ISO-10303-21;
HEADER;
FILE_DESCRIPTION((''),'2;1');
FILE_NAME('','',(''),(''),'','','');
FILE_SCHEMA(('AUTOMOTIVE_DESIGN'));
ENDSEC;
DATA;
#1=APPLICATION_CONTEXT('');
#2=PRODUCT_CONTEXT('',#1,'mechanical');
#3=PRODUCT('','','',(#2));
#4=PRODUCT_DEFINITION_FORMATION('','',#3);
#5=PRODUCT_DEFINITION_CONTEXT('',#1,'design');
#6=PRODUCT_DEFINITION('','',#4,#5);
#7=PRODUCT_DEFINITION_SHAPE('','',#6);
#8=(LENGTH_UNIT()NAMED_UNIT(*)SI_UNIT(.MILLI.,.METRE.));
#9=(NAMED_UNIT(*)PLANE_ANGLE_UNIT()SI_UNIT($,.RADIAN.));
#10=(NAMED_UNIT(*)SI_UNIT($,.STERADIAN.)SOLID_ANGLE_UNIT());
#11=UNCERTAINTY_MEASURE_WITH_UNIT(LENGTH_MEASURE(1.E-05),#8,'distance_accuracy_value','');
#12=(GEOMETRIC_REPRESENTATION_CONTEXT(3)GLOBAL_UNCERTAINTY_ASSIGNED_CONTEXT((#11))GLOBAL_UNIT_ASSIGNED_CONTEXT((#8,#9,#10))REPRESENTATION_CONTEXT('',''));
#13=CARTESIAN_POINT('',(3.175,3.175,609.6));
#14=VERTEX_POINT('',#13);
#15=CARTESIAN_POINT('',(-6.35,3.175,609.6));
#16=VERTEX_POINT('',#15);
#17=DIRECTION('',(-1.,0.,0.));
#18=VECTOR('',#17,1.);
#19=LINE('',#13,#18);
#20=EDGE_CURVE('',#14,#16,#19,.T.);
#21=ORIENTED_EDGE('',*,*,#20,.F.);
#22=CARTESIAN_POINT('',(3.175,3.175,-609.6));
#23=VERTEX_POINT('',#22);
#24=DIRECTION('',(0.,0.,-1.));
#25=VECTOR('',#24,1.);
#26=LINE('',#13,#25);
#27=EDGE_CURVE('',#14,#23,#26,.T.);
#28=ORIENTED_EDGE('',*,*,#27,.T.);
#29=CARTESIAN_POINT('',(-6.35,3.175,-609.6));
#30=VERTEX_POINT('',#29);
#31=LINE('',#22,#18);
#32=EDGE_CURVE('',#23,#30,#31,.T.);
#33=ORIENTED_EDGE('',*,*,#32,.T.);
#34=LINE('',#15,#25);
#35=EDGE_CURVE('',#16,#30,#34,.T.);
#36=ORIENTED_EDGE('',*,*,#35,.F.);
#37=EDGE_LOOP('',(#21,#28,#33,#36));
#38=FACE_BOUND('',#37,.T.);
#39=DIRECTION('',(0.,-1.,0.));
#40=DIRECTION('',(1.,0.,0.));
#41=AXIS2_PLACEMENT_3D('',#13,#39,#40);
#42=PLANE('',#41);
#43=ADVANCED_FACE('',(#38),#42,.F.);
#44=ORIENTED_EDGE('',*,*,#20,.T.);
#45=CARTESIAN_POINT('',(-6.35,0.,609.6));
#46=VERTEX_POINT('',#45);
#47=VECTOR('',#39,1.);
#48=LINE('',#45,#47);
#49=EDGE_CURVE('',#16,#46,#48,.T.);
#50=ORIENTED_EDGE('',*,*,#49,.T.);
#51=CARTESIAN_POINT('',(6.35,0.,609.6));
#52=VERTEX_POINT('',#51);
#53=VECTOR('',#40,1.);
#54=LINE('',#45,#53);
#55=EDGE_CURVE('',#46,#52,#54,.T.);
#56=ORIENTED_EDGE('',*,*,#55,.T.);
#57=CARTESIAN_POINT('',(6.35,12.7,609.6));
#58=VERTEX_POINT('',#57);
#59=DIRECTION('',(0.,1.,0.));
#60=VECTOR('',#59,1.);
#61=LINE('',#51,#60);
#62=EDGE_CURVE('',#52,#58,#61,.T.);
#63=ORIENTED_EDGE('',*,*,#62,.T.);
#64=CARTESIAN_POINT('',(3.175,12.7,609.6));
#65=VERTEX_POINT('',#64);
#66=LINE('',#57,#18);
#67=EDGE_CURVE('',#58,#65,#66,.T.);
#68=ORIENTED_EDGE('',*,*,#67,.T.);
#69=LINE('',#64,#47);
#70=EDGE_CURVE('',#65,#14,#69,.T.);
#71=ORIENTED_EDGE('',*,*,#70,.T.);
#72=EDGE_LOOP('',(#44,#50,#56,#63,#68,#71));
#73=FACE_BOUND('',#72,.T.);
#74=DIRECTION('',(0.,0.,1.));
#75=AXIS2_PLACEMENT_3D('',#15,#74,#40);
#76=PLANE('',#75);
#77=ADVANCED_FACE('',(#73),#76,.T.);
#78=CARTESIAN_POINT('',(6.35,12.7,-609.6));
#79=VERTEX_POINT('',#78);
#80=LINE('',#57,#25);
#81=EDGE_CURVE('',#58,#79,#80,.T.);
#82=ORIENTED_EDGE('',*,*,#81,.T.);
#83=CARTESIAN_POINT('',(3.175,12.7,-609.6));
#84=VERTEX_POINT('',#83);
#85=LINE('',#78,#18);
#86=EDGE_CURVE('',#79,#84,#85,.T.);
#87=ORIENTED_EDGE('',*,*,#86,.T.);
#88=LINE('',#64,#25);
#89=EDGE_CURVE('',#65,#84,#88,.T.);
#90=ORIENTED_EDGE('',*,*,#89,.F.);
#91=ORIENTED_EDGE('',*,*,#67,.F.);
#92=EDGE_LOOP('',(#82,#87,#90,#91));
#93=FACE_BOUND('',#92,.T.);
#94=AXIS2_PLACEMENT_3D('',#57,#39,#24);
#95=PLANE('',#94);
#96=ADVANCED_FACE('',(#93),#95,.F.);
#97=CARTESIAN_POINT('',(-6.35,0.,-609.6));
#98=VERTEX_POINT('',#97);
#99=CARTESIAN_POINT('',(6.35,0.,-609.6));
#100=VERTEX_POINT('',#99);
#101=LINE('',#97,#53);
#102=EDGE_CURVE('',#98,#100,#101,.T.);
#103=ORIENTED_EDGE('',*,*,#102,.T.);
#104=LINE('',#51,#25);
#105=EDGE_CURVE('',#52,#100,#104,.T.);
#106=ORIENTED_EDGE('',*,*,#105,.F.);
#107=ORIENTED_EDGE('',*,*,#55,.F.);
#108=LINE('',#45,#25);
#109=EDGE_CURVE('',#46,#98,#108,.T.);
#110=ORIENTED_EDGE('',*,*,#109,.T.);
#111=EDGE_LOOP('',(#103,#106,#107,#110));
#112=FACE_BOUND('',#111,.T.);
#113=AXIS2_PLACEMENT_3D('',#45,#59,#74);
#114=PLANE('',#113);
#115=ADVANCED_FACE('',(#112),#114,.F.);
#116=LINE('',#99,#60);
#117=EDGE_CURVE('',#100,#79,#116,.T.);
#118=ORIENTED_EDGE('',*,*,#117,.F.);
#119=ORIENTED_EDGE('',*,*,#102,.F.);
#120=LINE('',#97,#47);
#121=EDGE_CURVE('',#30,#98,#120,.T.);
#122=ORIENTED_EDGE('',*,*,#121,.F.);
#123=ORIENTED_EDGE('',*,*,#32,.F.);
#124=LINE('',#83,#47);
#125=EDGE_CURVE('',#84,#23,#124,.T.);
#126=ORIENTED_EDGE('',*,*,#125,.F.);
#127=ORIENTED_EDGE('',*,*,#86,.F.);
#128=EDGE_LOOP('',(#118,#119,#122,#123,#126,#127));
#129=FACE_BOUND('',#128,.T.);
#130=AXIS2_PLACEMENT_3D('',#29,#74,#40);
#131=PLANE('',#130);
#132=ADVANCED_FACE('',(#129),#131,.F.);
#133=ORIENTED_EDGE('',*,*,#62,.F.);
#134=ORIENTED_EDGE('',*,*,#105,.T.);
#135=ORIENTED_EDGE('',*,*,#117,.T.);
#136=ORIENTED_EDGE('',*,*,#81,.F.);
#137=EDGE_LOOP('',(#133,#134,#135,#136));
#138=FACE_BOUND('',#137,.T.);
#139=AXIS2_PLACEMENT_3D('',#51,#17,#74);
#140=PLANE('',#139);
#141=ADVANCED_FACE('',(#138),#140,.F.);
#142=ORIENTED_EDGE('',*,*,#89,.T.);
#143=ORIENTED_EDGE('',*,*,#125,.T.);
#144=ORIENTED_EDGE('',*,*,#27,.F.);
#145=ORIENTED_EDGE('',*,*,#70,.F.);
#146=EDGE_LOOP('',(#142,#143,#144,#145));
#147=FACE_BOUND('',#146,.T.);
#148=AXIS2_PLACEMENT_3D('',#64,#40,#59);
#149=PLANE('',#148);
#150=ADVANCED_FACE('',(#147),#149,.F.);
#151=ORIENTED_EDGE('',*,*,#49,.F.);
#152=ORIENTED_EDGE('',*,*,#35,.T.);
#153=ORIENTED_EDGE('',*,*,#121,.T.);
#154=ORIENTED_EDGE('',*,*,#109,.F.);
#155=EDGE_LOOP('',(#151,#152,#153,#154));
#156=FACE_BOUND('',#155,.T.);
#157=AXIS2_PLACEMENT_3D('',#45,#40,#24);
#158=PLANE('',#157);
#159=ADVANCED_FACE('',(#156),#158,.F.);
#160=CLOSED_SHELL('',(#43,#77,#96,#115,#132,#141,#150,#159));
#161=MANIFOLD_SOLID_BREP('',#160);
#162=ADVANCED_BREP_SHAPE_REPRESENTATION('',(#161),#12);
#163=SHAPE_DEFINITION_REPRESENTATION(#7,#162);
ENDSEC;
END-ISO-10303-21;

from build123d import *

# Parameters (mm, degrees)
BOSS_EXTRUDE1_DEPTH = 609.6


with BuildPart() as part:
    # Sketch2 → Boss-Extrude1 (new body, symmetric)
    with BuildSketch(Plane.XY):
        Polygon((-6.35, 0), (6.35, 0), (6.35, 12.7), (3.175, 12.7), (3.175, 3.175), (-6.35, 3.175), align=None)
    extrude(amount=BOSS_EXTRUDE1_DEPTH, both=True)


solid = part.part
